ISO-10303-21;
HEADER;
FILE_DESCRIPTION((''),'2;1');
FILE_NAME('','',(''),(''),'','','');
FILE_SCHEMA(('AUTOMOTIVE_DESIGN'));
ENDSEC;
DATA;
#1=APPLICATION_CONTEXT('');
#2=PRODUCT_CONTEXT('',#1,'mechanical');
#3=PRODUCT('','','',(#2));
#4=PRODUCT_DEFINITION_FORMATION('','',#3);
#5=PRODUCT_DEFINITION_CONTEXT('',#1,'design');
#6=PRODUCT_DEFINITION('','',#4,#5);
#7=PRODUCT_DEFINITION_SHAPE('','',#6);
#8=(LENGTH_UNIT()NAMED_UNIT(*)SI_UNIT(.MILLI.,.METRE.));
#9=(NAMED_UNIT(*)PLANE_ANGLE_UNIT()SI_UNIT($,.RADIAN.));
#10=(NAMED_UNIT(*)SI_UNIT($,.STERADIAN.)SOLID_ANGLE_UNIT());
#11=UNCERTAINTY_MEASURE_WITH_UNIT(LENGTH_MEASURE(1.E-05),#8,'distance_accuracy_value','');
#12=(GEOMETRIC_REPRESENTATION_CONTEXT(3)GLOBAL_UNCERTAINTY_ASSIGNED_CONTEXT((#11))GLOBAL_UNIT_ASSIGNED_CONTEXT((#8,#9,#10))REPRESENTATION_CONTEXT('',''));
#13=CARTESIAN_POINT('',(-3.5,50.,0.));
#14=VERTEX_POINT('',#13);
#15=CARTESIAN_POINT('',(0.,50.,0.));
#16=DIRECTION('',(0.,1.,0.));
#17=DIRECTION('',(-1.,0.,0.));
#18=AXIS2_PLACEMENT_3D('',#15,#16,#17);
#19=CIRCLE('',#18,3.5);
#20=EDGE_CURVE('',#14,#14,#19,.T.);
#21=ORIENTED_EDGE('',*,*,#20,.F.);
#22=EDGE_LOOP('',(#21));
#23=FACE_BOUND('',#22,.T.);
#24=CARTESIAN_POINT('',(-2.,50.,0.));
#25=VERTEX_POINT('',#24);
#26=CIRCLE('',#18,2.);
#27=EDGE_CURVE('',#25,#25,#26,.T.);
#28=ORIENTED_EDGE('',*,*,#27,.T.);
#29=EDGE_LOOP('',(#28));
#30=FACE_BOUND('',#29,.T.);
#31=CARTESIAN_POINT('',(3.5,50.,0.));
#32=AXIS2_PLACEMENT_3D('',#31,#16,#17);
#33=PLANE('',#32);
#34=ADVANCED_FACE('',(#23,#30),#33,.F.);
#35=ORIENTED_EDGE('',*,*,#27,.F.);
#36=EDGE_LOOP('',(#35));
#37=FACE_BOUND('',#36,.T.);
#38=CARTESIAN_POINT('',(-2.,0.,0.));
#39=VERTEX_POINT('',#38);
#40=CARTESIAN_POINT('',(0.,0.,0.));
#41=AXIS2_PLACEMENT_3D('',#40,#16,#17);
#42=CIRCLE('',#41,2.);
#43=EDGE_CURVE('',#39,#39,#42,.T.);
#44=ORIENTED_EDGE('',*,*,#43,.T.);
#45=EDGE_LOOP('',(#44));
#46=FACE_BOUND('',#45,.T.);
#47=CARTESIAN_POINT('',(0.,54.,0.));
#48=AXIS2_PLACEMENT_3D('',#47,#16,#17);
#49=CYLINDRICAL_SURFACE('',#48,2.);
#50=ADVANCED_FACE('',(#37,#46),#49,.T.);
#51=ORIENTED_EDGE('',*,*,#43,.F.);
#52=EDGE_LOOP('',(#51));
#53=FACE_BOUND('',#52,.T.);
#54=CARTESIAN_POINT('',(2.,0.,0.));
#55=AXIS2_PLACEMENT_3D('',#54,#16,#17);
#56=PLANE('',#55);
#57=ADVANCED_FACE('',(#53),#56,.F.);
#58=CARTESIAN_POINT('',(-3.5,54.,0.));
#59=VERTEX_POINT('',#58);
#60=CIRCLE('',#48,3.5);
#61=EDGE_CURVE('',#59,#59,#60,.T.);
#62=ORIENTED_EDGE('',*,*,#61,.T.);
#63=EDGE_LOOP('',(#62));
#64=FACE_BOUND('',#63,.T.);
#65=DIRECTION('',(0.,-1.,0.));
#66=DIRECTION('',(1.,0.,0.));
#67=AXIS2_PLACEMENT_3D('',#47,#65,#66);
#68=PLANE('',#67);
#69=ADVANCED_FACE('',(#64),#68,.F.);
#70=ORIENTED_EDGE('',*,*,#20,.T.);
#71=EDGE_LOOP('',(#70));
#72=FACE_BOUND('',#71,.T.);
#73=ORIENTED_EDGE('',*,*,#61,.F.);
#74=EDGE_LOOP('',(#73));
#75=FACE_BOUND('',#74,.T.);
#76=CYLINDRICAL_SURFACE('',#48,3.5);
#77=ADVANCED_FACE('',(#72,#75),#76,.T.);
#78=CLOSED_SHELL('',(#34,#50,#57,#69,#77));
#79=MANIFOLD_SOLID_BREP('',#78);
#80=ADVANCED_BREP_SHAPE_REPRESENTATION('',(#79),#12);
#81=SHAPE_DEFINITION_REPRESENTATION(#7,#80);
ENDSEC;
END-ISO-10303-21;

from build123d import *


with BuildPart() as part:
    # Sketch1 → Revolve1 (revolve)
    with BuildSketch(Plane.XY, mode=Mode.PRIVATE) as revolve1_sk:
        Polygon((0, 54), (0, 0), (2, 0), (2, 50), (3.5, 50), (3.5, 54), align=None)
    revolve(revolve1_sk.sketch.rotate(Axis((0, 54, 0), (0, -1, 0)), 180), axis=Axis((0, 54, 0), (0, -1, 0)))


solid = part.part
